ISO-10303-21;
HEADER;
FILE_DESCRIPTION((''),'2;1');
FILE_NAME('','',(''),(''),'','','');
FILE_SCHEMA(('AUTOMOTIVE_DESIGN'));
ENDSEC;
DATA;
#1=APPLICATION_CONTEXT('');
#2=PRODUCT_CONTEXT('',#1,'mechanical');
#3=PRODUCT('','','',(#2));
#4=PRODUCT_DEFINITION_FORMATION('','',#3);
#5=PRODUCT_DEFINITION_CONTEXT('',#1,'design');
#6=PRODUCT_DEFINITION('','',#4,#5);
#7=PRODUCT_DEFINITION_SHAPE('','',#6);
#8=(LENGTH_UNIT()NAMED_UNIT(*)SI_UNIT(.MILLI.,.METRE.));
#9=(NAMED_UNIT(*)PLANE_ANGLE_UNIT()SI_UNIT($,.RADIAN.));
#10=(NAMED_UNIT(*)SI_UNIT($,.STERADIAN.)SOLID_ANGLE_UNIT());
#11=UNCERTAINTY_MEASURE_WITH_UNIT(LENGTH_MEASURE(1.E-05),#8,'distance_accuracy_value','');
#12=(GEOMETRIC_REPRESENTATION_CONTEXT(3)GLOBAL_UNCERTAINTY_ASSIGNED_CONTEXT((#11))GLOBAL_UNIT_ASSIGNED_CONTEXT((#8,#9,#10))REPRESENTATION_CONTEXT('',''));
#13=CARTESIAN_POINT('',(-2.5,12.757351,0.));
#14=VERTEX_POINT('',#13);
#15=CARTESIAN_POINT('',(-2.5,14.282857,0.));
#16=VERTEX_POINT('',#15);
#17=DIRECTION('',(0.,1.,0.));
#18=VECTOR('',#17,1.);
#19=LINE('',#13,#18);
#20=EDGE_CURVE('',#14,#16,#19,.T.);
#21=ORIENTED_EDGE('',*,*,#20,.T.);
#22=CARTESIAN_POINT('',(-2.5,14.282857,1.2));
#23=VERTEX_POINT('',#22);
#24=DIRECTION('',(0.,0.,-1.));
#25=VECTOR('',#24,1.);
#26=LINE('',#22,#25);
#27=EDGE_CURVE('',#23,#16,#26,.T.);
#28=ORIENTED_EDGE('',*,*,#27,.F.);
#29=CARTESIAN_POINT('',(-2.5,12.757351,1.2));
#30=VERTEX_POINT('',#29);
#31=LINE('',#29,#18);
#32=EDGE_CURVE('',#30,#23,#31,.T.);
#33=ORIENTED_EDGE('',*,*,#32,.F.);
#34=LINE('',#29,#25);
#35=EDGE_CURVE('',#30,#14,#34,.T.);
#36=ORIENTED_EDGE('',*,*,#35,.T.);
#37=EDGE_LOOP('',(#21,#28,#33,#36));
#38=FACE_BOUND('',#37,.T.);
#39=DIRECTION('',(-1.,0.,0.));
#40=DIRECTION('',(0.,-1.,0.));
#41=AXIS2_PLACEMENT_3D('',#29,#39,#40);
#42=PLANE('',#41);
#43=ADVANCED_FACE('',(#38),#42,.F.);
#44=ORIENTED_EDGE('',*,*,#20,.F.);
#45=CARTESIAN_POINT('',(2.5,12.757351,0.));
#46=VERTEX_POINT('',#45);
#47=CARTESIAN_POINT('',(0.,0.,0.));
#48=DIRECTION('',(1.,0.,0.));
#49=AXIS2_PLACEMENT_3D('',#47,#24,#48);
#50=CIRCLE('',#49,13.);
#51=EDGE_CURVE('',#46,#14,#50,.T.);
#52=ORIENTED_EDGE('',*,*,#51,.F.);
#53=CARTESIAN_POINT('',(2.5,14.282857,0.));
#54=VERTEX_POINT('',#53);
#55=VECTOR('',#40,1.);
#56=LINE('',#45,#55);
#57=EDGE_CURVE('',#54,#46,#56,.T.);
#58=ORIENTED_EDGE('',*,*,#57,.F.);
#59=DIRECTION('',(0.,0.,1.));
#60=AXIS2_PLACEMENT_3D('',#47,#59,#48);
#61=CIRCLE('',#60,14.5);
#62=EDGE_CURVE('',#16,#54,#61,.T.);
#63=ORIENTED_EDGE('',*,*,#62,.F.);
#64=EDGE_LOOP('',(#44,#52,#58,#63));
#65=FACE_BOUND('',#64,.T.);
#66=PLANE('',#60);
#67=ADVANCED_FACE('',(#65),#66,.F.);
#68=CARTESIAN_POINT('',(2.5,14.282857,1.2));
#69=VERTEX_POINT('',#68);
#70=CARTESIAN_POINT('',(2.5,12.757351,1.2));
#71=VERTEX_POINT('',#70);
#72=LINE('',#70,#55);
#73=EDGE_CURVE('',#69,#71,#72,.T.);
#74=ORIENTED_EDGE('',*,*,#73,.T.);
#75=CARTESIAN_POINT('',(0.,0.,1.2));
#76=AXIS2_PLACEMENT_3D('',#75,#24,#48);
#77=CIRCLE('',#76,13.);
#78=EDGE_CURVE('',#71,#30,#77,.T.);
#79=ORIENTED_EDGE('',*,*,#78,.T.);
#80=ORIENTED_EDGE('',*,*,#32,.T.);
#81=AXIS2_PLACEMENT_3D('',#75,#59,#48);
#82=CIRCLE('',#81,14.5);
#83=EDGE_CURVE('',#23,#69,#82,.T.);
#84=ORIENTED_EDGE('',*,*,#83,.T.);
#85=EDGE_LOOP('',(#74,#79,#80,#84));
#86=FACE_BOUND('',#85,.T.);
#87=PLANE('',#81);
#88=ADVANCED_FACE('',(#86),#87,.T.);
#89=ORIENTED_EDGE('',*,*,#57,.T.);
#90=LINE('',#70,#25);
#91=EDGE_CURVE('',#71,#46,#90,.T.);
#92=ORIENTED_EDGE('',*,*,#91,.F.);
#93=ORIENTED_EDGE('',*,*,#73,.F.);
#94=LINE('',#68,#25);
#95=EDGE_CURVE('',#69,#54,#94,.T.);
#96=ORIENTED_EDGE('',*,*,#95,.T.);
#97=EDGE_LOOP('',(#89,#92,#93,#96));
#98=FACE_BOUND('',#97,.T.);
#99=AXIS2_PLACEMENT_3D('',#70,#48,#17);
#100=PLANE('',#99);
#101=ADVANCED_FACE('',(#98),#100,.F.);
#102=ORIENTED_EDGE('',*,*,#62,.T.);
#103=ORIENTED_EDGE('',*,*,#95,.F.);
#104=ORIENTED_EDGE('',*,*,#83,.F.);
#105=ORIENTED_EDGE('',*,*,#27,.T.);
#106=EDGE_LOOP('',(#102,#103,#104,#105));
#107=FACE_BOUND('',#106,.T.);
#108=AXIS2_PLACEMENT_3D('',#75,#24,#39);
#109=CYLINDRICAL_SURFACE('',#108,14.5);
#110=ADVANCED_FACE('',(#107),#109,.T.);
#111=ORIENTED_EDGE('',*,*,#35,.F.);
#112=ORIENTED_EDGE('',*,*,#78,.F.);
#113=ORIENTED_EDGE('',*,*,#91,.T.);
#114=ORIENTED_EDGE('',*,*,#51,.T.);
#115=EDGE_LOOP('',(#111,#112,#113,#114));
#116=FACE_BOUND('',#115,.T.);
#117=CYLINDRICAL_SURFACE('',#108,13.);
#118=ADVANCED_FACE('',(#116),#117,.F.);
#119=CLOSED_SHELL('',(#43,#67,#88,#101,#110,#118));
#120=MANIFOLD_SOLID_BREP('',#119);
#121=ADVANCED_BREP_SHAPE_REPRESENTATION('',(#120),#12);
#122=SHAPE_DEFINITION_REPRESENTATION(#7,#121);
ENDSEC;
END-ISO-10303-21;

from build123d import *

# Parameters (mm, degrees)
BOSS_EXTRUDE1_DEPTH = 1.2


with BuildPart() as part:
    # Sketch1 → Boss-Extrude1 (new body)
    with BuildSketch(Plane.XY):
        with BuildLine():
            Line((2.5, 12.757350822), (2.5, 14.282856857))
            ThreePointArc((2.5, 14.282856857), (0, -14.5), (-2.5, 14.282856857))
            Line((-2.5, 14.282856857), (-2.5, 12.757350822))
            ThreePointArc((-2.5, 12.757350822), (0, -13), (2.5, 12.757350822))
        make_face()
    extrude(amount=BOSS_EXTRUDE1_DEPTH)


solid = part.part
